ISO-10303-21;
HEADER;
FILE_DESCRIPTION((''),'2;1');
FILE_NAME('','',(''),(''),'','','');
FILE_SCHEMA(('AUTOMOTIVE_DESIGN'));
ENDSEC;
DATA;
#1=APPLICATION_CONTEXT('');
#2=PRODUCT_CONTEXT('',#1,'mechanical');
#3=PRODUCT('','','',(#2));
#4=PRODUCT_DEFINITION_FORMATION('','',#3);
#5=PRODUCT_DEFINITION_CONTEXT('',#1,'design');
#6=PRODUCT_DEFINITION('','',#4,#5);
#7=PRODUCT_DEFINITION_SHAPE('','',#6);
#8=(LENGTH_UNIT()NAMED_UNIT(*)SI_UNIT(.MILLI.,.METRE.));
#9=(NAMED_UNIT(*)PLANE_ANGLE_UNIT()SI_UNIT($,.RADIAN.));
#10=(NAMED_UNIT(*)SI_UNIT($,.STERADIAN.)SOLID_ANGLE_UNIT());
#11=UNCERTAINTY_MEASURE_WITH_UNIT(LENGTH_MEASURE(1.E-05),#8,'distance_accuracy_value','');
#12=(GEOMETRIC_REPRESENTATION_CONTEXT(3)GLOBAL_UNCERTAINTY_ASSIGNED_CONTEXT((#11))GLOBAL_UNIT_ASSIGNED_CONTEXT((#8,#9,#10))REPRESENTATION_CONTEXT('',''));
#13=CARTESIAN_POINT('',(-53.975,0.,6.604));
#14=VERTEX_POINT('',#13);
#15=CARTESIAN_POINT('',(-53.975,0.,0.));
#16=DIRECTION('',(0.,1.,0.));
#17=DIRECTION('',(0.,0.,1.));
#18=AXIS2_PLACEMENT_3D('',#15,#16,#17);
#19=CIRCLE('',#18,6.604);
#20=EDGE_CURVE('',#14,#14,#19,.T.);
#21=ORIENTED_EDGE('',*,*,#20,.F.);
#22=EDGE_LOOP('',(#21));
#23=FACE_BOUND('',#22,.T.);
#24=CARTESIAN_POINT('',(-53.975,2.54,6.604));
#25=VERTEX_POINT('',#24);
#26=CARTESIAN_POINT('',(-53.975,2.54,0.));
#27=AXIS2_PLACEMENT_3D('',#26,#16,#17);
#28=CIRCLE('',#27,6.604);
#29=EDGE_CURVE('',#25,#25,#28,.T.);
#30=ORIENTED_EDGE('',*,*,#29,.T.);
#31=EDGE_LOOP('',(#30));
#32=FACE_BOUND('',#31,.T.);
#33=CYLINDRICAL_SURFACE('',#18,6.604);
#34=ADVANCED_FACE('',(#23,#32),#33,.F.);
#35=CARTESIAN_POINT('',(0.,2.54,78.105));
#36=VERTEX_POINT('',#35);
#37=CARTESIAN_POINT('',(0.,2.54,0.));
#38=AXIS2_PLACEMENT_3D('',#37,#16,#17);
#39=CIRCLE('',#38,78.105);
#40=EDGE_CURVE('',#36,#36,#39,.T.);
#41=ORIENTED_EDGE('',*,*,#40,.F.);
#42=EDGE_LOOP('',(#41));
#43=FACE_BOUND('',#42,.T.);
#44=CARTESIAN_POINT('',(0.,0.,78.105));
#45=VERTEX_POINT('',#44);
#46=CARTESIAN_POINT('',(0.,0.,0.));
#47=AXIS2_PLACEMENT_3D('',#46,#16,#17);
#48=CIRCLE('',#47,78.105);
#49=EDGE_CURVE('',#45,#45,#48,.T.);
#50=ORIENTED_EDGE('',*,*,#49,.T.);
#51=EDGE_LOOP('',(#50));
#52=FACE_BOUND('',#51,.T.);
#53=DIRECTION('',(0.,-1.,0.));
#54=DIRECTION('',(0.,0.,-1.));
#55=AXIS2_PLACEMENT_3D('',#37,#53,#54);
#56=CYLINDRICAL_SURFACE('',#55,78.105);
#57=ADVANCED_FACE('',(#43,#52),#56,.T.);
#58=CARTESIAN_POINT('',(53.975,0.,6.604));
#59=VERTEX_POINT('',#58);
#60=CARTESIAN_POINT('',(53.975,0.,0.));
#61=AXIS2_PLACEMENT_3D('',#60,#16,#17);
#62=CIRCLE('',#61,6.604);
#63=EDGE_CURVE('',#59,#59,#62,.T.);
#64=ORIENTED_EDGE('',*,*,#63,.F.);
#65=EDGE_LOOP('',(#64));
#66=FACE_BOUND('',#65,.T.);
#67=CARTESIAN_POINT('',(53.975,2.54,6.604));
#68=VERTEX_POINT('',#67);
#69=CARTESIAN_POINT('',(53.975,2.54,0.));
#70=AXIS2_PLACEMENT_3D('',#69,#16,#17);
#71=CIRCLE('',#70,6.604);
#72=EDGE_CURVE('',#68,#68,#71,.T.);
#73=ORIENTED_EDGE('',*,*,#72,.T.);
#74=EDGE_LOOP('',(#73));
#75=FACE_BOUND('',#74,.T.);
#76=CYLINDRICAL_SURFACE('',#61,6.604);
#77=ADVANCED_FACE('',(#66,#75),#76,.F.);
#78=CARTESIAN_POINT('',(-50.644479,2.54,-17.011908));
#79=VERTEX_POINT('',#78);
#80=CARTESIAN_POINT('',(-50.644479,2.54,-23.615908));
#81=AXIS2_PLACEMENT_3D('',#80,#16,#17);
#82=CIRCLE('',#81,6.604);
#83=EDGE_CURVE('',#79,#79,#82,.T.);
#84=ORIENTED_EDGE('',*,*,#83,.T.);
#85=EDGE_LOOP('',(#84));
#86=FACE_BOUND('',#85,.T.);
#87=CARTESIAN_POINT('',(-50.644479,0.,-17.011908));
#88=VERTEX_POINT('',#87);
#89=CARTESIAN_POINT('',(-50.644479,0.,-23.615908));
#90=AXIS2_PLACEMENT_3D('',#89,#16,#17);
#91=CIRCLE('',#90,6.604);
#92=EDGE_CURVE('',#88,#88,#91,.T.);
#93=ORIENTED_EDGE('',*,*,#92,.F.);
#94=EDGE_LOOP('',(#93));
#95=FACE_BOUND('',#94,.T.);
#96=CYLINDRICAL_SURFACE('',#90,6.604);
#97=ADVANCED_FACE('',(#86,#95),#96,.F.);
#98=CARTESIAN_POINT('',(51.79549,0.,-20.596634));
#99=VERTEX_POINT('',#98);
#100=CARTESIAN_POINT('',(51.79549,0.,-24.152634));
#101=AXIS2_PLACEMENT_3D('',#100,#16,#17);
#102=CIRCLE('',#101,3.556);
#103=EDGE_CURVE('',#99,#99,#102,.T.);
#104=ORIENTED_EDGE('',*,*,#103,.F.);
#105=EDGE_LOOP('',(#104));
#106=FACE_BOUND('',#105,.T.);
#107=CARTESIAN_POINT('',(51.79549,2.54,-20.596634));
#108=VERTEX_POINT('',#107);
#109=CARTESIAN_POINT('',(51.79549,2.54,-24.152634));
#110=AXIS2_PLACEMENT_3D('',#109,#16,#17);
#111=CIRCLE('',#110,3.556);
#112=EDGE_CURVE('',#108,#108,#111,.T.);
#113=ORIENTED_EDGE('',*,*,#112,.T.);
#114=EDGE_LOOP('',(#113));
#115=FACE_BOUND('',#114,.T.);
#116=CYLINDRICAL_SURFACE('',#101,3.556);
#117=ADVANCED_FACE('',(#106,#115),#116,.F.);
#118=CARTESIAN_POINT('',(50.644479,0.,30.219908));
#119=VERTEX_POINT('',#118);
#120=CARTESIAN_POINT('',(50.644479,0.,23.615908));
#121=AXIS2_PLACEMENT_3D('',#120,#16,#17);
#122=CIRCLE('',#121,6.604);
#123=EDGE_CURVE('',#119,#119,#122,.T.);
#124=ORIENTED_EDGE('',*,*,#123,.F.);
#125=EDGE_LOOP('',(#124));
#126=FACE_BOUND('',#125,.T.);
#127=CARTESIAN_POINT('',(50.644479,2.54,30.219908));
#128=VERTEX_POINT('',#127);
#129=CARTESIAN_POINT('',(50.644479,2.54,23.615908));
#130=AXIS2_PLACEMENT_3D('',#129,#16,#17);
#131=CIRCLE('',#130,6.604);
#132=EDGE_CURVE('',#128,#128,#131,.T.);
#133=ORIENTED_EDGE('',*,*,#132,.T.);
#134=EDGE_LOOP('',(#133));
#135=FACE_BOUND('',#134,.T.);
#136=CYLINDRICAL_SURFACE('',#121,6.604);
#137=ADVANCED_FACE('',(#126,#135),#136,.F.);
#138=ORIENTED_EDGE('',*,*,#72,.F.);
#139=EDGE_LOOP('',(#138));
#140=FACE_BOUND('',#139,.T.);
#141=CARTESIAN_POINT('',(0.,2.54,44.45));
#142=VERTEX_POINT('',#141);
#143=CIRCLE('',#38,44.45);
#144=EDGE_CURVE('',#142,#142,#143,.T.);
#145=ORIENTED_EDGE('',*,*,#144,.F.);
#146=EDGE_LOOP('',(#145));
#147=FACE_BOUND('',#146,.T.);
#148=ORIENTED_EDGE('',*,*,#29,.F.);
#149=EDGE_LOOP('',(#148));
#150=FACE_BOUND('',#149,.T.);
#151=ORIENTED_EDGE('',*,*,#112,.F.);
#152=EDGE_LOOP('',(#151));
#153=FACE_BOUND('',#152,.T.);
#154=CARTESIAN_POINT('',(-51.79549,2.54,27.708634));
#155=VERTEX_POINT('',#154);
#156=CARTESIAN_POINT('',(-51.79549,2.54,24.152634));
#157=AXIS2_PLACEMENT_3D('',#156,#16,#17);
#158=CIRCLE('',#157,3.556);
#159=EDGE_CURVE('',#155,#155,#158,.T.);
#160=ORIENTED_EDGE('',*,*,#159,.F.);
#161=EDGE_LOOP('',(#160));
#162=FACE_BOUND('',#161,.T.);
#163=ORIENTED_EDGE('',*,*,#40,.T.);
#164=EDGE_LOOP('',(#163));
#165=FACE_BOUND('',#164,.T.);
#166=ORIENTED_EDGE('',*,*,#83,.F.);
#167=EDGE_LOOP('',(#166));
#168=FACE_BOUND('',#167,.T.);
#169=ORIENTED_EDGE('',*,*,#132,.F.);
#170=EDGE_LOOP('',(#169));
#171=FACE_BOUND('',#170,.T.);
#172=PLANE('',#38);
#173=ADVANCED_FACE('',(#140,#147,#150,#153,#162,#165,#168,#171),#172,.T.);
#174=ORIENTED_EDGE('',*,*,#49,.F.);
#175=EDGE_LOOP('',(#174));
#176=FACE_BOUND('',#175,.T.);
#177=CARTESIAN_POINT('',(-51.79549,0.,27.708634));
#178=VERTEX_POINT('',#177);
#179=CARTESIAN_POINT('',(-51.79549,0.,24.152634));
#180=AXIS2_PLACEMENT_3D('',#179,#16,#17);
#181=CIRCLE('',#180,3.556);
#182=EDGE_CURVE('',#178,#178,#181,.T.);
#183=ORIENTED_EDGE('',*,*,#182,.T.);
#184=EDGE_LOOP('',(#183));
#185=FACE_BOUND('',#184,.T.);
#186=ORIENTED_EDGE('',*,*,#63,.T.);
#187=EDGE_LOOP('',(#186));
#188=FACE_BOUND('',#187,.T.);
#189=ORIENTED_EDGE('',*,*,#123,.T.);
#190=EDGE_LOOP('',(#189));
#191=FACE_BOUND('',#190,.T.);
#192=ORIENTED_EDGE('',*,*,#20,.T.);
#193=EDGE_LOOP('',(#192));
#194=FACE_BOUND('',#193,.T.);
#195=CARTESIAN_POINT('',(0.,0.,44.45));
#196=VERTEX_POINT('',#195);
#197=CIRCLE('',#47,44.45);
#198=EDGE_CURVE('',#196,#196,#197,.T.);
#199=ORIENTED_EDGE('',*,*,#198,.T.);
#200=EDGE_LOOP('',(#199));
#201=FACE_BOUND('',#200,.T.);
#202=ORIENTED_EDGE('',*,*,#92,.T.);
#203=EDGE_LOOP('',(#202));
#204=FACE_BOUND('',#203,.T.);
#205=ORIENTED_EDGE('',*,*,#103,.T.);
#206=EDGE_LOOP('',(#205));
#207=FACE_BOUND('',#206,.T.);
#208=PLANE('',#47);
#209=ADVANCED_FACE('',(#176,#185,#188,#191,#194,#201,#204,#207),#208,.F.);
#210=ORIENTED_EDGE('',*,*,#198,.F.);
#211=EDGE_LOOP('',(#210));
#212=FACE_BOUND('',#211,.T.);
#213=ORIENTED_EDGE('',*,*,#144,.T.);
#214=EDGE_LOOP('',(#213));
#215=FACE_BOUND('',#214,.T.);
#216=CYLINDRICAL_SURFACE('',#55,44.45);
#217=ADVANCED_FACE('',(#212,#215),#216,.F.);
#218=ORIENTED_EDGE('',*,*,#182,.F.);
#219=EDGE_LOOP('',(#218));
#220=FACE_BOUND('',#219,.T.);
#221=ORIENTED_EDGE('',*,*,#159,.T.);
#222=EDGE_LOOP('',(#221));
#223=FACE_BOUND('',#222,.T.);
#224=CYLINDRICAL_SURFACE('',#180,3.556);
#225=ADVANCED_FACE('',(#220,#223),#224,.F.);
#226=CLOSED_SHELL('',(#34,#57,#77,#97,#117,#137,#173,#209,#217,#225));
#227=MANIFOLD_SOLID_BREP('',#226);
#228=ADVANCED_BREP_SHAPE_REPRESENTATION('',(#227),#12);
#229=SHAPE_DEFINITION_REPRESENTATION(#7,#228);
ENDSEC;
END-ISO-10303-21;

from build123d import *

# Parameters (mm, degrees)
SKETCH1_R           = 78.105
SKETCH1_R_2         = 44.45
BOSS_EXTRUDE1_DEPTH = 2.54
SKETCH2_R           = 6.604
SKETCH2_R_2         = 3.556
CUT_EXTRUDE1_DEPTH  = 2.54


with BuildPart() as part:
    # Sketch1 → Boss-Extrude1 (new body)
    with BuildSketch(Plane(origin=(0, 0, 0), x_dir=(1, 0, 0), z_dir=(0, 1, 0))):
        with Locations(Location((0, 0, 0), (0, 0, 270))):
            Circle(SKETCH1_R)
        with Locations(Location((0, 0, 0), (0, 0, 270))):
            Circle(SKETCH1_R_2, mode=Mode.SUBTRACT)
    extrude(amount=BOSS_EXTRUDE1_DEPTH)

    # Sketch2 → Cut-Extrude1 (cut)
    with BuildSketch(Plane(origin=(0, 2.54, 0), x_dir=(1, 0, 0), z_dir=(0, 1, 0))):
        with Locations(Location((-53.975, 0, 0), (0, 0, 270))):
            Circle(SKETCH2_R)
        with Locations(Location((53.975, 0, 0), (0, 0, 270))):
            Circle(SKETCH2_R)
        with Locations(Location((-51.795490029, -24.152633658, 0), (0, 0, 270))):
            Circle(SKETCH2_R_2)
        with Locations(Location((51.795490029, 24.152633658, 0), (0, 0, 270))):
            Circle(SKETCH2_R_2)
        with Locations(Location((50.64447914, -23.615908466, 0), (0, 0, 270))):
            Circle(SKETCH2_R)
        with Locations(Location((-50.64447914, 23.615908466, 0), (0, 0, 270))):
            Circle(SKETCH2_R)
    extrude(amount=-CUT_EXTRUDE1_DEPTH, mode=Mode.SUBTRACT)


solid = part.part
